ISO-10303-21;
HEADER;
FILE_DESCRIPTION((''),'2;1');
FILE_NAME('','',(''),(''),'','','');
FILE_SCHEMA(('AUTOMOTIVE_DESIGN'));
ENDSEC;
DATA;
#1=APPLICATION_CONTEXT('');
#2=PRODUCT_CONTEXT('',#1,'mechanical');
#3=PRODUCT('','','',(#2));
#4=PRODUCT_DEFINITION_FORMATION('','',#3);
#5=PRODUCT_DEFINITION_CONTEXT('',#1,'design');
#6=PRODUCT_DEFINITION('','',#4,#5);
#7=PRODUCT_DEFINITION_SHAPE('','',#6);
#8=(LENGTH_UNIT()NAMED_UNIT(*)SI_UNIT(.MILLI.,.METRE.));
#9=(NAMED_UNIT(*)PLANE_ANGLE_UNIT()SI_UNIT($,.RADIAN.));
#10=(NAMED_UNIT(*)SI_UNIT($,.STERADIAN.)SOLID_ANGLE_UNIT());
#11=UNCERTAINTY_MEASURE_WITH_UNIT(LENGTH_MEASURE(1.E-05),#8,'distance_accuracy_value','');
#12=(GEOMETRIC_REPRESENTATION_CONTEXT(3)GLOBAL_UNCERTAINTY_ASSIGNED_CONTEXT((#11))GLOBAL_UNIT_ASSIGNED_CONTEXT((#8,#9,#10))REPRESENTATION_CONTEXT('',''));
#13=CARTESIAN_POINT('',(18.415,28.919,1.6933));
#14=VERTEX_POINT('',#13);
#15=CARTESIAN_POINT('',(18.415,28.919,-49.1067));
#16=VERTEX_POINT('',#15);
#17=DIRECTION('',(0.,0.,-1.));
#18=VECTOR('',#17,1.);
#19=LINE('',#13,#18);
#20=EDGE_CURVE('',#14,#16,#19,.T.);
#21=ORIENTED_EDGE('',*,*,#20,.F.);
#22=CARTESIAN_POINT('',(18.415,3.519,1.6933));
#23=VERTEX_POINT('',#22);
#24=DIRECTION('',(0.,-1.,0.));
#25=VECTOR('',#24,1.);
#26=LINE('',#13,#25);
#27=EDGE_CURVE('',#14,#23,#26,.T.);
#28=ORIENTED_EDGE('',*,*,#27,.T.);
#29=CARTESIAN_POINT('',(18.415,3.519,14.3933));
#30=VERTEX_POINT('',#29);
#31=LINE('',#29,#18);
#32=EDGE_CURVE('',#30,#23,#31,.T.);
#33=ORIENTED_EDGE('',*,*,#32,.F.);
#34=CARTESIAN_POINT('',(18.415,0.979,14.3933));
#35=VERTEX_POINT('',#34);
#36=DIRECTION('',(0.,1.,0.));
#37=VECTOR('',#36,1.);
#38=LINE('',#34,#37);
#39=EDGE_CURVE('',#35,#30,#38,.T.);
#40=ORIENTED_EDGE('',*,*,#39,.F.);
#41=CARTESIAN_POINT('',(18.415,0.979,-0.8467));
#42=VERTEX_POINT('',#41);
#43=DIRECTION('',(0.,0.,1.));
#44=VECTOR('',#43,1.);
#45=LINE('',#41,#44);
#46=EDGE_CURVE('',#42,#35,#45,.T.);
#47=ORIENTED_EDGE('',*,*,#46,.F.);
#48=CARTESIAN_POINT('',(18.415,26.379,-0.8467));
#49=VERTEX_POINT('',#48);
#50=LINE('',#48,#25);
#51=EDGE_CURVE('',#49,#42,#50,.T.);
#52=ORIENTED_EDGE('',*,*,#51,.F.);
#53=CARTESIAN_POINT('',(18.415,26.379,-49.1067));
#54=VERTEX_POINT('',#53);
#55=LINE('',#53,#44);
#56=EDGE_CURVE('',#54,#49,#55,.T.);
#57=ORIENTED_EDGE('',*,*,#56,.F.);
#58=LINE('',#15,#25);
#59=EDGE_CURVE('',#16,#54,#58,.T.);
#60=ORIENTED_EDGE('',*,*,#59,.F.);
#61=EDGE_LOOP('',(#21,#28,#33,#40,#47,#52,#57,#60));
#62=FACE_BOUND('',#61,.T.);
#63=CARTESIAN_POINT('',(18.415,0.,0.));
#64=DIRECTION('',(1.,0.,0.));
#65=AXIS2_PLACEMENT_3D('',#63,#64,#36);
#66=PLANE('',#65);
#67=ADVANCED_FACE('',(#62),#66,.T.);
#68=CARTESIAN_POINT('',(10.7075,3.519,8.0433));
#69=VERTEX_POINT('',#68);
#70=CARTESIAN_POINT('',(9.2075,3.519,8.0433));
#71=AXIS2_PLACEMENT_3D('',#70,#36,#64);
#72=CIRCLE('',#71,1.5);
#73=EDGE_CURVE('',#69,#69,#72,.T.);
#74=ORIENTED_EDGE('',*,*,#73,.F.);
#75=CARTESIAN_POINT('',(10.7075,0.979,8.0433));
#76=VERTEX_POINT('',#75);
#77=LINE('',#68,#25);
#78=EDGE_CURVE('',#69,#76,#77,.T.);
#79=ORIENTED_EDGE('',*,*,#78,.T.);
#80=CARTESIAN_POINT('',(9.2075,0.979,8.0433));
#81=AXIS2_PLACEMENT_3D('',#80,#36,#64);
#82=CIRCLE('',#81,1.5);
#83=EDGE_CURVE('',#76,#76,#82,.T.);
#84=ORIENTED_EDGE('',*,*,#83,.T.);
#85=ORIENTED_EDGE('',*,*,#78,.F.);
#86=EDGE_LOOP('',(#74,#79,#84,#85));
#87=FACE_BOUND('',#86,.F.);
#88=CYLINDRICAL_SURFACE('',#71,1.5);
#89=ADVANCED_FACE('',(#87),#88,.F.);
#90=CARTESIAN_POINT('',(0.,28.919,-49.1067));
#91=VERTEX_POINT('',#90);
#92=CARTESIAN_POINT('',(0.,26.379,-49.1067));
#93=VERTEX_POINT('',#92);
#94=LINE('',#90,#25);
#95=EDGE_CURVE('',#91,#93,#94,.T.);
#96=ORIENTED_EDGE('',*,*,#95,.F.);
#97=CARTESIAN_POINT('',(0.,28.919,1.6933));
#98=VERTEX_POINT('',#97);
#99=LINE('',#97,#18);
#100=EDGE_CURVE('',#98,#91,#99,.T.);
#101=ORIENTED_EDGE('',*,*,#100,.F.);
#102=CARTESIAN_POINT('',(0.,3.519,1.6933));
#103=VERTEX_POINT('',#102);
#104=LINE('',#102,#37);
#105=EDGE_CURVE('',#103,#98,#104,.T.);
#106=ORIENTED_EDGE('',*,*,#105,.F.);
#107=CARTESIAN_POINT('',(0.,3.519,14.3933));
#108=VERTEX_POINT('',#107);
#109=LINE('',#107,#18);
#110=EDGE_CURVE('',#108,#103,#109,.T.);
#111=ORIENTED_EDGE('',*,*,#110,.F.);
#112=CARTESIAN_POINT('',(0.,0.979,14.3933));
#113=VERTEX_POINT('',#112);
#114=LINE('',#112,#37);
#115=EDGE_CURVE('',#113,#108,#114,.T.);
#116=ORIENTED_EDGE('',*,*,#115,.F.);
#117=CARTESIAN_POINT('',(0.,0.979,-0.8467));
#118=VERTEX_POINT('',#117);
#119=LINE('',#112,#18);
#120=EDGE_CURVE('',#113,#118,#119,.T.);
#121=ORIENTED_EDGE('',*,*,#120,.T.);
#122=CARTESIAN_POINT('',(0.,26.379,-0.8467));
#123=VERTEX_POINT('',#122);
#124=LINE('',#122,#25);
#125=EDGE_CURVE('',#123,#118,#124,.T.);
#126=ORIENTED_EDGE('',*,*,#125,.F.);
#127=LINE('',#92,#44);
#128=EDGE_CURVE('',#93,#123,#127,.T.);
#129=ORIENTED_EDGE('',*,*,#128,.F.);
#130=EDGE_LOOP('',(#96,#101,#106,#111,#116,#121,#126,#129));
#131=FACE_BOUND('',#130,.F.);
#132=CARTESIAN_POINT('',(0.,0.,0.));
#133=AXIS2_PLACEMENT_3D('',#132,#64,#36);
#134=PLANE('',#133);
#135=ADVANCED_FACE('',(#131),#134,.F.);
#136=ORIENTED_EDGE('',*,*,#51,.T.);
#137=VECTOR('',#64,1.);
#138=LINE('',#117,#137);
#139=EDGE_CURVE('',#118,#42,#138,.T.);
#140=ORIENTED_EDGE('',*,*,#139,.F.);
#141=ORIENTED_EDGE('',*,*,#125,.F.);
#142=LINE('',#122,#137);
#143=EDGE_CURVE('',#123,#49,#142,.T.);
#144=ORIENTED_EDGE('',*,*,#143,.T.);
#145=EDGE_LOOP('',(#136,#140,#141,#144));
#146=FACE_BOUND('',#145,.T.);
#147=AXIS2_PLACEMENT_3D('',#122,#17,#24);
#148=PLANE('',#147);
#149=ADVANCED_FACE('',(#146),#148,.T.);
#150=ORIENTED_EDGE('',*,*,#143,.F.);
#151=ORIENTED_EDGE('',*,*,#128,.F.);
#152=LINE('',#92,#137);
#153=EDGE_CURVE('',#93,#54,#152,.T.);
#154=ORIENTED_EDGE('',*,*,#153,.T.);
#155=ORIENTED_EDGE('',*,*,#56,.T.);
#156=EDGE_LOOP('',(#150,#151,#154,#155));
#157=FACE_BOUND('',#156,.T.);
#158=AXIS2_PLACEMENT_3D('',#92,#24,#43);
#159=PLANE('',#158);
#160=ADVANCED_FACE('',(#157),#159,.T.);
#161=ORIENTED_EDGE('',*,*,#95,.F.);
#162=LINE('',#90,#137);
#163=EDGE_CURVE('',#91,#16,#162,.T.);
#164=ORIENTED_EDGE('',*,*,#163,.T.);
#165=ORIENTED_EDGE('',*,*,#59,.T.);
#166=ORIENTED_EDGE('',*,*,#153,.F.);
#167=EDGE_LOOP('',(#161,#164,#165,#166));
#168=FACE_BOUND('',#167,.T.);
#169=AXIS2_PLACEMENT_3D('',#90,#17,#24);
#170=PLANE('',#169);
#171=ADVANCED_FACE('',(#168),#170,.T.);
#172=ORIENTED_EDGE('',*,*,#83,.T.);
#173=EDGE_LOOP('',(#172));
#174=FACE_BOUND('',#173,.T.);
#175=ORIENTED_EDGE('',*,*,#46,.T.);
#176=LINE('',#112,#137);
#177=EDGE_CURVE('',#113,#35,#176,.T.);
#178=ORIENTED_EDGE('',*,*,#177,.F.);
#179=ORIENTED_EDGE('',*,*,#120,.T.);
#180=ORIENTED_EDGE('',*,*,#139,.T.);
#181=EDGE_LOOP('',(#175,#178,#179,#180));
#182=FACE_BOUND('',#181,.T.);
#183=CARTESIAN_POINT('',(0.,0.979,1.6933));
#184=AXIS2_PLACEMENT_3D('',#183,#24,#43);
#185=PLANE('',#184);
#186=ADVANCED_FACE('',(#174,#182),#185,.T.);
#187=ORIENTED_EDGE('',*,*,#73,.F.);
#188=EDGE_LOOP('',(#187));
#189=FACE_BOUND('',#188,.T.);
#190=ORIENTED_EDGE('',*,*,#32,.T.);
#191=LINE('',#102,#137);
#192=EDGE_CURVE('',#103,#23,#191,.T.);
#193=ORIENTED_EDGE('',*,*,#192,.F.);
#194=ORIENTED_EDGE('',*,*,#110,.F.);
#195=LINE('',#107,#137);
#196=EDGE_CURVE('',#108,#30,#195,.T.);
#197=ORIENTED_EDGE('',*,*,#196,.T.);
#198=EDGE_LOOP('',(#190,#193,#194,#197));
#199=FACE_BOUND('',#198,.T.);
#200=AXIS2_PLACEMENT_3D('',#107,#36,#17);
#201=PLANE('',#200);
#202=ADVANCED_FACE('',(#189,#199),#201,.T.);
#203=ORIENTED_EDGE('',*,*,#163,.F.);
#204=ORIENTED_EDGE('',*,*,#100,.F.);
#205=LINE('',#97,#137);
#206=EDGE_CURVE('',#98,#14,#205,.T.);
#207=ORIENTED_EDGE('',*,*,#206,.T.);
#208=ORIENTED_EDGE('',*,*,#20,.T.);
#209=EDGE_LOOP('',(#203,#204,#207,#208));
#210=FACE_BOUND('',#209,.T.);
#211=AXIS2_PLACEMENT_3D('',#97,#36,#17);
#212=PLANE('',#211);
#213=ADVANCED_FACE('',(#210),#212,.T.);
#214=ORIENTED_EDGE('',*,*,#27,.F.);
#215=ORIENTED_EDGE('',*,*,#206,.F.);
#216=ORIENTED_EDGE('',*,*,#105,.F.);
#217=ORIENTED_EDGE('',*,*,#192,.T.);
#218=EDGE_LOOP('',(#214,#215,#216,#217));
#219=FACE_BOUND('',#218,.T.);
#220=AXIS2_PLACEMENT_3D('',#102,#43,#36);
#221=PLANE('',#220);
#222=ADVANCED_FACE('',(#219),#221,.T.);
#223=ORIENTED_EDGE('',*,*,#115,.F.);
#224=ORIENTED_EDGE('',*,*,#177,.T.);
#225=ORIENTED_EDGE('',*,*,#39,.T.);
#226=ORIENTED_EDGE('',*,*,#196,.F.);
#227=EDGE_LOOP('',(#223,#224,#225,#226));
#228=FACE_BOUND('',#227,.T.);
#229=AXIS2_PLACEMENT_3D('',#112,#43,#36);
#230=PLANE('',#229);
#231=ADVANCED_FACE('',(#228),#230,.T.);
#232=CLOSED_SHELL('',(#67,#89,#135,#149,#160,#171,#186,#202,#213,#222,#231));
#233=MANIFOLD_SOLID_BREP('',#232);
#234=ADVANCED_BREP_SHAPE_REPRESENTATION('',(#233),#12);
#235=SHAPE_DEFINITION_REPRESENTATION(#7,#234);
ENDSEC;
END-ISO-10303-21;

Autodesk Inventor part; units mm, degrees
ref_plane "YZ Plane" through (0, 0, 0) normal (1, 0, 0) x (0, 1, 0)
ref_plane "XZ Plane" through (0, 0, 0) normal (0, 1, 0) x (-1, 0, 0)
ref_plane "XY Plane" through (0, 0, 0) normal (0, 0, 1) x (1, 0, 0)
sketch "Sketch1" plane through (0, 0, 0) normal (1, 0, 0) x (0, 1, 0)
  line L0 (0.979, 1.6933) -> (0.979, 14.3933)
  line L1 (0.979, 14.3933) -> (3.519, 14.3933)
  line L2 (3.519, 14.3933) -> (3.519, 1.6933)
  line L3 (3.519, 1.6933) -> (25.3145, 1.6933)
  line L4 (26.379, -0.8467) -> (0.979, -0.8467)
  line L5 (0.979, -0.8467) -> (0.979, 1.6933)
  line L6 (25.3145, 1.6933) -> (26.379, 1.6933)
  line L7 (26.379, 1.6933) -> (28.919, 1.6933)
  line L8 (28.919, 1.6933) -> (28.919, -49.1067)
  line L9 (28.919, -49.1067) -> (26.379, -49.1067)
  line L10 (26.379, -49.1067) -> (26.379, -0.8467)
  point P0 (0, 0)
  dimension "d0" = 12.7
  dimension "d1" = 12.7
  dimension "d2" = 2.54
  dimension "d11" = 25.4
  dimension "d12" = 2.54
  dimension "d13" = 50.8
extrude "Extrusion1" add sketch "Sketch1" along normal blind 18.415
sketch "Sketch2" plane through (0, 3.519, 14.3933) normal (0, 1, 0) x (1, 0, 0)
  circle A0 centre (9.2075, 6.35) radius 1.5
  line L0 (18.415, 12.7) -> (18.415, 0) projected
  line L1 (0, 0) -> (18.415, 0) projected
  point P0 (0, 14.3933)
  point P1 (18.415, 6.35)
  point P2 (9.2075, 0)
  dimension "d8" = 3
extrude "Extrusion2" cut sketch "Sketch2" against normal blind 18.415
properties part number "Battery Mount"
